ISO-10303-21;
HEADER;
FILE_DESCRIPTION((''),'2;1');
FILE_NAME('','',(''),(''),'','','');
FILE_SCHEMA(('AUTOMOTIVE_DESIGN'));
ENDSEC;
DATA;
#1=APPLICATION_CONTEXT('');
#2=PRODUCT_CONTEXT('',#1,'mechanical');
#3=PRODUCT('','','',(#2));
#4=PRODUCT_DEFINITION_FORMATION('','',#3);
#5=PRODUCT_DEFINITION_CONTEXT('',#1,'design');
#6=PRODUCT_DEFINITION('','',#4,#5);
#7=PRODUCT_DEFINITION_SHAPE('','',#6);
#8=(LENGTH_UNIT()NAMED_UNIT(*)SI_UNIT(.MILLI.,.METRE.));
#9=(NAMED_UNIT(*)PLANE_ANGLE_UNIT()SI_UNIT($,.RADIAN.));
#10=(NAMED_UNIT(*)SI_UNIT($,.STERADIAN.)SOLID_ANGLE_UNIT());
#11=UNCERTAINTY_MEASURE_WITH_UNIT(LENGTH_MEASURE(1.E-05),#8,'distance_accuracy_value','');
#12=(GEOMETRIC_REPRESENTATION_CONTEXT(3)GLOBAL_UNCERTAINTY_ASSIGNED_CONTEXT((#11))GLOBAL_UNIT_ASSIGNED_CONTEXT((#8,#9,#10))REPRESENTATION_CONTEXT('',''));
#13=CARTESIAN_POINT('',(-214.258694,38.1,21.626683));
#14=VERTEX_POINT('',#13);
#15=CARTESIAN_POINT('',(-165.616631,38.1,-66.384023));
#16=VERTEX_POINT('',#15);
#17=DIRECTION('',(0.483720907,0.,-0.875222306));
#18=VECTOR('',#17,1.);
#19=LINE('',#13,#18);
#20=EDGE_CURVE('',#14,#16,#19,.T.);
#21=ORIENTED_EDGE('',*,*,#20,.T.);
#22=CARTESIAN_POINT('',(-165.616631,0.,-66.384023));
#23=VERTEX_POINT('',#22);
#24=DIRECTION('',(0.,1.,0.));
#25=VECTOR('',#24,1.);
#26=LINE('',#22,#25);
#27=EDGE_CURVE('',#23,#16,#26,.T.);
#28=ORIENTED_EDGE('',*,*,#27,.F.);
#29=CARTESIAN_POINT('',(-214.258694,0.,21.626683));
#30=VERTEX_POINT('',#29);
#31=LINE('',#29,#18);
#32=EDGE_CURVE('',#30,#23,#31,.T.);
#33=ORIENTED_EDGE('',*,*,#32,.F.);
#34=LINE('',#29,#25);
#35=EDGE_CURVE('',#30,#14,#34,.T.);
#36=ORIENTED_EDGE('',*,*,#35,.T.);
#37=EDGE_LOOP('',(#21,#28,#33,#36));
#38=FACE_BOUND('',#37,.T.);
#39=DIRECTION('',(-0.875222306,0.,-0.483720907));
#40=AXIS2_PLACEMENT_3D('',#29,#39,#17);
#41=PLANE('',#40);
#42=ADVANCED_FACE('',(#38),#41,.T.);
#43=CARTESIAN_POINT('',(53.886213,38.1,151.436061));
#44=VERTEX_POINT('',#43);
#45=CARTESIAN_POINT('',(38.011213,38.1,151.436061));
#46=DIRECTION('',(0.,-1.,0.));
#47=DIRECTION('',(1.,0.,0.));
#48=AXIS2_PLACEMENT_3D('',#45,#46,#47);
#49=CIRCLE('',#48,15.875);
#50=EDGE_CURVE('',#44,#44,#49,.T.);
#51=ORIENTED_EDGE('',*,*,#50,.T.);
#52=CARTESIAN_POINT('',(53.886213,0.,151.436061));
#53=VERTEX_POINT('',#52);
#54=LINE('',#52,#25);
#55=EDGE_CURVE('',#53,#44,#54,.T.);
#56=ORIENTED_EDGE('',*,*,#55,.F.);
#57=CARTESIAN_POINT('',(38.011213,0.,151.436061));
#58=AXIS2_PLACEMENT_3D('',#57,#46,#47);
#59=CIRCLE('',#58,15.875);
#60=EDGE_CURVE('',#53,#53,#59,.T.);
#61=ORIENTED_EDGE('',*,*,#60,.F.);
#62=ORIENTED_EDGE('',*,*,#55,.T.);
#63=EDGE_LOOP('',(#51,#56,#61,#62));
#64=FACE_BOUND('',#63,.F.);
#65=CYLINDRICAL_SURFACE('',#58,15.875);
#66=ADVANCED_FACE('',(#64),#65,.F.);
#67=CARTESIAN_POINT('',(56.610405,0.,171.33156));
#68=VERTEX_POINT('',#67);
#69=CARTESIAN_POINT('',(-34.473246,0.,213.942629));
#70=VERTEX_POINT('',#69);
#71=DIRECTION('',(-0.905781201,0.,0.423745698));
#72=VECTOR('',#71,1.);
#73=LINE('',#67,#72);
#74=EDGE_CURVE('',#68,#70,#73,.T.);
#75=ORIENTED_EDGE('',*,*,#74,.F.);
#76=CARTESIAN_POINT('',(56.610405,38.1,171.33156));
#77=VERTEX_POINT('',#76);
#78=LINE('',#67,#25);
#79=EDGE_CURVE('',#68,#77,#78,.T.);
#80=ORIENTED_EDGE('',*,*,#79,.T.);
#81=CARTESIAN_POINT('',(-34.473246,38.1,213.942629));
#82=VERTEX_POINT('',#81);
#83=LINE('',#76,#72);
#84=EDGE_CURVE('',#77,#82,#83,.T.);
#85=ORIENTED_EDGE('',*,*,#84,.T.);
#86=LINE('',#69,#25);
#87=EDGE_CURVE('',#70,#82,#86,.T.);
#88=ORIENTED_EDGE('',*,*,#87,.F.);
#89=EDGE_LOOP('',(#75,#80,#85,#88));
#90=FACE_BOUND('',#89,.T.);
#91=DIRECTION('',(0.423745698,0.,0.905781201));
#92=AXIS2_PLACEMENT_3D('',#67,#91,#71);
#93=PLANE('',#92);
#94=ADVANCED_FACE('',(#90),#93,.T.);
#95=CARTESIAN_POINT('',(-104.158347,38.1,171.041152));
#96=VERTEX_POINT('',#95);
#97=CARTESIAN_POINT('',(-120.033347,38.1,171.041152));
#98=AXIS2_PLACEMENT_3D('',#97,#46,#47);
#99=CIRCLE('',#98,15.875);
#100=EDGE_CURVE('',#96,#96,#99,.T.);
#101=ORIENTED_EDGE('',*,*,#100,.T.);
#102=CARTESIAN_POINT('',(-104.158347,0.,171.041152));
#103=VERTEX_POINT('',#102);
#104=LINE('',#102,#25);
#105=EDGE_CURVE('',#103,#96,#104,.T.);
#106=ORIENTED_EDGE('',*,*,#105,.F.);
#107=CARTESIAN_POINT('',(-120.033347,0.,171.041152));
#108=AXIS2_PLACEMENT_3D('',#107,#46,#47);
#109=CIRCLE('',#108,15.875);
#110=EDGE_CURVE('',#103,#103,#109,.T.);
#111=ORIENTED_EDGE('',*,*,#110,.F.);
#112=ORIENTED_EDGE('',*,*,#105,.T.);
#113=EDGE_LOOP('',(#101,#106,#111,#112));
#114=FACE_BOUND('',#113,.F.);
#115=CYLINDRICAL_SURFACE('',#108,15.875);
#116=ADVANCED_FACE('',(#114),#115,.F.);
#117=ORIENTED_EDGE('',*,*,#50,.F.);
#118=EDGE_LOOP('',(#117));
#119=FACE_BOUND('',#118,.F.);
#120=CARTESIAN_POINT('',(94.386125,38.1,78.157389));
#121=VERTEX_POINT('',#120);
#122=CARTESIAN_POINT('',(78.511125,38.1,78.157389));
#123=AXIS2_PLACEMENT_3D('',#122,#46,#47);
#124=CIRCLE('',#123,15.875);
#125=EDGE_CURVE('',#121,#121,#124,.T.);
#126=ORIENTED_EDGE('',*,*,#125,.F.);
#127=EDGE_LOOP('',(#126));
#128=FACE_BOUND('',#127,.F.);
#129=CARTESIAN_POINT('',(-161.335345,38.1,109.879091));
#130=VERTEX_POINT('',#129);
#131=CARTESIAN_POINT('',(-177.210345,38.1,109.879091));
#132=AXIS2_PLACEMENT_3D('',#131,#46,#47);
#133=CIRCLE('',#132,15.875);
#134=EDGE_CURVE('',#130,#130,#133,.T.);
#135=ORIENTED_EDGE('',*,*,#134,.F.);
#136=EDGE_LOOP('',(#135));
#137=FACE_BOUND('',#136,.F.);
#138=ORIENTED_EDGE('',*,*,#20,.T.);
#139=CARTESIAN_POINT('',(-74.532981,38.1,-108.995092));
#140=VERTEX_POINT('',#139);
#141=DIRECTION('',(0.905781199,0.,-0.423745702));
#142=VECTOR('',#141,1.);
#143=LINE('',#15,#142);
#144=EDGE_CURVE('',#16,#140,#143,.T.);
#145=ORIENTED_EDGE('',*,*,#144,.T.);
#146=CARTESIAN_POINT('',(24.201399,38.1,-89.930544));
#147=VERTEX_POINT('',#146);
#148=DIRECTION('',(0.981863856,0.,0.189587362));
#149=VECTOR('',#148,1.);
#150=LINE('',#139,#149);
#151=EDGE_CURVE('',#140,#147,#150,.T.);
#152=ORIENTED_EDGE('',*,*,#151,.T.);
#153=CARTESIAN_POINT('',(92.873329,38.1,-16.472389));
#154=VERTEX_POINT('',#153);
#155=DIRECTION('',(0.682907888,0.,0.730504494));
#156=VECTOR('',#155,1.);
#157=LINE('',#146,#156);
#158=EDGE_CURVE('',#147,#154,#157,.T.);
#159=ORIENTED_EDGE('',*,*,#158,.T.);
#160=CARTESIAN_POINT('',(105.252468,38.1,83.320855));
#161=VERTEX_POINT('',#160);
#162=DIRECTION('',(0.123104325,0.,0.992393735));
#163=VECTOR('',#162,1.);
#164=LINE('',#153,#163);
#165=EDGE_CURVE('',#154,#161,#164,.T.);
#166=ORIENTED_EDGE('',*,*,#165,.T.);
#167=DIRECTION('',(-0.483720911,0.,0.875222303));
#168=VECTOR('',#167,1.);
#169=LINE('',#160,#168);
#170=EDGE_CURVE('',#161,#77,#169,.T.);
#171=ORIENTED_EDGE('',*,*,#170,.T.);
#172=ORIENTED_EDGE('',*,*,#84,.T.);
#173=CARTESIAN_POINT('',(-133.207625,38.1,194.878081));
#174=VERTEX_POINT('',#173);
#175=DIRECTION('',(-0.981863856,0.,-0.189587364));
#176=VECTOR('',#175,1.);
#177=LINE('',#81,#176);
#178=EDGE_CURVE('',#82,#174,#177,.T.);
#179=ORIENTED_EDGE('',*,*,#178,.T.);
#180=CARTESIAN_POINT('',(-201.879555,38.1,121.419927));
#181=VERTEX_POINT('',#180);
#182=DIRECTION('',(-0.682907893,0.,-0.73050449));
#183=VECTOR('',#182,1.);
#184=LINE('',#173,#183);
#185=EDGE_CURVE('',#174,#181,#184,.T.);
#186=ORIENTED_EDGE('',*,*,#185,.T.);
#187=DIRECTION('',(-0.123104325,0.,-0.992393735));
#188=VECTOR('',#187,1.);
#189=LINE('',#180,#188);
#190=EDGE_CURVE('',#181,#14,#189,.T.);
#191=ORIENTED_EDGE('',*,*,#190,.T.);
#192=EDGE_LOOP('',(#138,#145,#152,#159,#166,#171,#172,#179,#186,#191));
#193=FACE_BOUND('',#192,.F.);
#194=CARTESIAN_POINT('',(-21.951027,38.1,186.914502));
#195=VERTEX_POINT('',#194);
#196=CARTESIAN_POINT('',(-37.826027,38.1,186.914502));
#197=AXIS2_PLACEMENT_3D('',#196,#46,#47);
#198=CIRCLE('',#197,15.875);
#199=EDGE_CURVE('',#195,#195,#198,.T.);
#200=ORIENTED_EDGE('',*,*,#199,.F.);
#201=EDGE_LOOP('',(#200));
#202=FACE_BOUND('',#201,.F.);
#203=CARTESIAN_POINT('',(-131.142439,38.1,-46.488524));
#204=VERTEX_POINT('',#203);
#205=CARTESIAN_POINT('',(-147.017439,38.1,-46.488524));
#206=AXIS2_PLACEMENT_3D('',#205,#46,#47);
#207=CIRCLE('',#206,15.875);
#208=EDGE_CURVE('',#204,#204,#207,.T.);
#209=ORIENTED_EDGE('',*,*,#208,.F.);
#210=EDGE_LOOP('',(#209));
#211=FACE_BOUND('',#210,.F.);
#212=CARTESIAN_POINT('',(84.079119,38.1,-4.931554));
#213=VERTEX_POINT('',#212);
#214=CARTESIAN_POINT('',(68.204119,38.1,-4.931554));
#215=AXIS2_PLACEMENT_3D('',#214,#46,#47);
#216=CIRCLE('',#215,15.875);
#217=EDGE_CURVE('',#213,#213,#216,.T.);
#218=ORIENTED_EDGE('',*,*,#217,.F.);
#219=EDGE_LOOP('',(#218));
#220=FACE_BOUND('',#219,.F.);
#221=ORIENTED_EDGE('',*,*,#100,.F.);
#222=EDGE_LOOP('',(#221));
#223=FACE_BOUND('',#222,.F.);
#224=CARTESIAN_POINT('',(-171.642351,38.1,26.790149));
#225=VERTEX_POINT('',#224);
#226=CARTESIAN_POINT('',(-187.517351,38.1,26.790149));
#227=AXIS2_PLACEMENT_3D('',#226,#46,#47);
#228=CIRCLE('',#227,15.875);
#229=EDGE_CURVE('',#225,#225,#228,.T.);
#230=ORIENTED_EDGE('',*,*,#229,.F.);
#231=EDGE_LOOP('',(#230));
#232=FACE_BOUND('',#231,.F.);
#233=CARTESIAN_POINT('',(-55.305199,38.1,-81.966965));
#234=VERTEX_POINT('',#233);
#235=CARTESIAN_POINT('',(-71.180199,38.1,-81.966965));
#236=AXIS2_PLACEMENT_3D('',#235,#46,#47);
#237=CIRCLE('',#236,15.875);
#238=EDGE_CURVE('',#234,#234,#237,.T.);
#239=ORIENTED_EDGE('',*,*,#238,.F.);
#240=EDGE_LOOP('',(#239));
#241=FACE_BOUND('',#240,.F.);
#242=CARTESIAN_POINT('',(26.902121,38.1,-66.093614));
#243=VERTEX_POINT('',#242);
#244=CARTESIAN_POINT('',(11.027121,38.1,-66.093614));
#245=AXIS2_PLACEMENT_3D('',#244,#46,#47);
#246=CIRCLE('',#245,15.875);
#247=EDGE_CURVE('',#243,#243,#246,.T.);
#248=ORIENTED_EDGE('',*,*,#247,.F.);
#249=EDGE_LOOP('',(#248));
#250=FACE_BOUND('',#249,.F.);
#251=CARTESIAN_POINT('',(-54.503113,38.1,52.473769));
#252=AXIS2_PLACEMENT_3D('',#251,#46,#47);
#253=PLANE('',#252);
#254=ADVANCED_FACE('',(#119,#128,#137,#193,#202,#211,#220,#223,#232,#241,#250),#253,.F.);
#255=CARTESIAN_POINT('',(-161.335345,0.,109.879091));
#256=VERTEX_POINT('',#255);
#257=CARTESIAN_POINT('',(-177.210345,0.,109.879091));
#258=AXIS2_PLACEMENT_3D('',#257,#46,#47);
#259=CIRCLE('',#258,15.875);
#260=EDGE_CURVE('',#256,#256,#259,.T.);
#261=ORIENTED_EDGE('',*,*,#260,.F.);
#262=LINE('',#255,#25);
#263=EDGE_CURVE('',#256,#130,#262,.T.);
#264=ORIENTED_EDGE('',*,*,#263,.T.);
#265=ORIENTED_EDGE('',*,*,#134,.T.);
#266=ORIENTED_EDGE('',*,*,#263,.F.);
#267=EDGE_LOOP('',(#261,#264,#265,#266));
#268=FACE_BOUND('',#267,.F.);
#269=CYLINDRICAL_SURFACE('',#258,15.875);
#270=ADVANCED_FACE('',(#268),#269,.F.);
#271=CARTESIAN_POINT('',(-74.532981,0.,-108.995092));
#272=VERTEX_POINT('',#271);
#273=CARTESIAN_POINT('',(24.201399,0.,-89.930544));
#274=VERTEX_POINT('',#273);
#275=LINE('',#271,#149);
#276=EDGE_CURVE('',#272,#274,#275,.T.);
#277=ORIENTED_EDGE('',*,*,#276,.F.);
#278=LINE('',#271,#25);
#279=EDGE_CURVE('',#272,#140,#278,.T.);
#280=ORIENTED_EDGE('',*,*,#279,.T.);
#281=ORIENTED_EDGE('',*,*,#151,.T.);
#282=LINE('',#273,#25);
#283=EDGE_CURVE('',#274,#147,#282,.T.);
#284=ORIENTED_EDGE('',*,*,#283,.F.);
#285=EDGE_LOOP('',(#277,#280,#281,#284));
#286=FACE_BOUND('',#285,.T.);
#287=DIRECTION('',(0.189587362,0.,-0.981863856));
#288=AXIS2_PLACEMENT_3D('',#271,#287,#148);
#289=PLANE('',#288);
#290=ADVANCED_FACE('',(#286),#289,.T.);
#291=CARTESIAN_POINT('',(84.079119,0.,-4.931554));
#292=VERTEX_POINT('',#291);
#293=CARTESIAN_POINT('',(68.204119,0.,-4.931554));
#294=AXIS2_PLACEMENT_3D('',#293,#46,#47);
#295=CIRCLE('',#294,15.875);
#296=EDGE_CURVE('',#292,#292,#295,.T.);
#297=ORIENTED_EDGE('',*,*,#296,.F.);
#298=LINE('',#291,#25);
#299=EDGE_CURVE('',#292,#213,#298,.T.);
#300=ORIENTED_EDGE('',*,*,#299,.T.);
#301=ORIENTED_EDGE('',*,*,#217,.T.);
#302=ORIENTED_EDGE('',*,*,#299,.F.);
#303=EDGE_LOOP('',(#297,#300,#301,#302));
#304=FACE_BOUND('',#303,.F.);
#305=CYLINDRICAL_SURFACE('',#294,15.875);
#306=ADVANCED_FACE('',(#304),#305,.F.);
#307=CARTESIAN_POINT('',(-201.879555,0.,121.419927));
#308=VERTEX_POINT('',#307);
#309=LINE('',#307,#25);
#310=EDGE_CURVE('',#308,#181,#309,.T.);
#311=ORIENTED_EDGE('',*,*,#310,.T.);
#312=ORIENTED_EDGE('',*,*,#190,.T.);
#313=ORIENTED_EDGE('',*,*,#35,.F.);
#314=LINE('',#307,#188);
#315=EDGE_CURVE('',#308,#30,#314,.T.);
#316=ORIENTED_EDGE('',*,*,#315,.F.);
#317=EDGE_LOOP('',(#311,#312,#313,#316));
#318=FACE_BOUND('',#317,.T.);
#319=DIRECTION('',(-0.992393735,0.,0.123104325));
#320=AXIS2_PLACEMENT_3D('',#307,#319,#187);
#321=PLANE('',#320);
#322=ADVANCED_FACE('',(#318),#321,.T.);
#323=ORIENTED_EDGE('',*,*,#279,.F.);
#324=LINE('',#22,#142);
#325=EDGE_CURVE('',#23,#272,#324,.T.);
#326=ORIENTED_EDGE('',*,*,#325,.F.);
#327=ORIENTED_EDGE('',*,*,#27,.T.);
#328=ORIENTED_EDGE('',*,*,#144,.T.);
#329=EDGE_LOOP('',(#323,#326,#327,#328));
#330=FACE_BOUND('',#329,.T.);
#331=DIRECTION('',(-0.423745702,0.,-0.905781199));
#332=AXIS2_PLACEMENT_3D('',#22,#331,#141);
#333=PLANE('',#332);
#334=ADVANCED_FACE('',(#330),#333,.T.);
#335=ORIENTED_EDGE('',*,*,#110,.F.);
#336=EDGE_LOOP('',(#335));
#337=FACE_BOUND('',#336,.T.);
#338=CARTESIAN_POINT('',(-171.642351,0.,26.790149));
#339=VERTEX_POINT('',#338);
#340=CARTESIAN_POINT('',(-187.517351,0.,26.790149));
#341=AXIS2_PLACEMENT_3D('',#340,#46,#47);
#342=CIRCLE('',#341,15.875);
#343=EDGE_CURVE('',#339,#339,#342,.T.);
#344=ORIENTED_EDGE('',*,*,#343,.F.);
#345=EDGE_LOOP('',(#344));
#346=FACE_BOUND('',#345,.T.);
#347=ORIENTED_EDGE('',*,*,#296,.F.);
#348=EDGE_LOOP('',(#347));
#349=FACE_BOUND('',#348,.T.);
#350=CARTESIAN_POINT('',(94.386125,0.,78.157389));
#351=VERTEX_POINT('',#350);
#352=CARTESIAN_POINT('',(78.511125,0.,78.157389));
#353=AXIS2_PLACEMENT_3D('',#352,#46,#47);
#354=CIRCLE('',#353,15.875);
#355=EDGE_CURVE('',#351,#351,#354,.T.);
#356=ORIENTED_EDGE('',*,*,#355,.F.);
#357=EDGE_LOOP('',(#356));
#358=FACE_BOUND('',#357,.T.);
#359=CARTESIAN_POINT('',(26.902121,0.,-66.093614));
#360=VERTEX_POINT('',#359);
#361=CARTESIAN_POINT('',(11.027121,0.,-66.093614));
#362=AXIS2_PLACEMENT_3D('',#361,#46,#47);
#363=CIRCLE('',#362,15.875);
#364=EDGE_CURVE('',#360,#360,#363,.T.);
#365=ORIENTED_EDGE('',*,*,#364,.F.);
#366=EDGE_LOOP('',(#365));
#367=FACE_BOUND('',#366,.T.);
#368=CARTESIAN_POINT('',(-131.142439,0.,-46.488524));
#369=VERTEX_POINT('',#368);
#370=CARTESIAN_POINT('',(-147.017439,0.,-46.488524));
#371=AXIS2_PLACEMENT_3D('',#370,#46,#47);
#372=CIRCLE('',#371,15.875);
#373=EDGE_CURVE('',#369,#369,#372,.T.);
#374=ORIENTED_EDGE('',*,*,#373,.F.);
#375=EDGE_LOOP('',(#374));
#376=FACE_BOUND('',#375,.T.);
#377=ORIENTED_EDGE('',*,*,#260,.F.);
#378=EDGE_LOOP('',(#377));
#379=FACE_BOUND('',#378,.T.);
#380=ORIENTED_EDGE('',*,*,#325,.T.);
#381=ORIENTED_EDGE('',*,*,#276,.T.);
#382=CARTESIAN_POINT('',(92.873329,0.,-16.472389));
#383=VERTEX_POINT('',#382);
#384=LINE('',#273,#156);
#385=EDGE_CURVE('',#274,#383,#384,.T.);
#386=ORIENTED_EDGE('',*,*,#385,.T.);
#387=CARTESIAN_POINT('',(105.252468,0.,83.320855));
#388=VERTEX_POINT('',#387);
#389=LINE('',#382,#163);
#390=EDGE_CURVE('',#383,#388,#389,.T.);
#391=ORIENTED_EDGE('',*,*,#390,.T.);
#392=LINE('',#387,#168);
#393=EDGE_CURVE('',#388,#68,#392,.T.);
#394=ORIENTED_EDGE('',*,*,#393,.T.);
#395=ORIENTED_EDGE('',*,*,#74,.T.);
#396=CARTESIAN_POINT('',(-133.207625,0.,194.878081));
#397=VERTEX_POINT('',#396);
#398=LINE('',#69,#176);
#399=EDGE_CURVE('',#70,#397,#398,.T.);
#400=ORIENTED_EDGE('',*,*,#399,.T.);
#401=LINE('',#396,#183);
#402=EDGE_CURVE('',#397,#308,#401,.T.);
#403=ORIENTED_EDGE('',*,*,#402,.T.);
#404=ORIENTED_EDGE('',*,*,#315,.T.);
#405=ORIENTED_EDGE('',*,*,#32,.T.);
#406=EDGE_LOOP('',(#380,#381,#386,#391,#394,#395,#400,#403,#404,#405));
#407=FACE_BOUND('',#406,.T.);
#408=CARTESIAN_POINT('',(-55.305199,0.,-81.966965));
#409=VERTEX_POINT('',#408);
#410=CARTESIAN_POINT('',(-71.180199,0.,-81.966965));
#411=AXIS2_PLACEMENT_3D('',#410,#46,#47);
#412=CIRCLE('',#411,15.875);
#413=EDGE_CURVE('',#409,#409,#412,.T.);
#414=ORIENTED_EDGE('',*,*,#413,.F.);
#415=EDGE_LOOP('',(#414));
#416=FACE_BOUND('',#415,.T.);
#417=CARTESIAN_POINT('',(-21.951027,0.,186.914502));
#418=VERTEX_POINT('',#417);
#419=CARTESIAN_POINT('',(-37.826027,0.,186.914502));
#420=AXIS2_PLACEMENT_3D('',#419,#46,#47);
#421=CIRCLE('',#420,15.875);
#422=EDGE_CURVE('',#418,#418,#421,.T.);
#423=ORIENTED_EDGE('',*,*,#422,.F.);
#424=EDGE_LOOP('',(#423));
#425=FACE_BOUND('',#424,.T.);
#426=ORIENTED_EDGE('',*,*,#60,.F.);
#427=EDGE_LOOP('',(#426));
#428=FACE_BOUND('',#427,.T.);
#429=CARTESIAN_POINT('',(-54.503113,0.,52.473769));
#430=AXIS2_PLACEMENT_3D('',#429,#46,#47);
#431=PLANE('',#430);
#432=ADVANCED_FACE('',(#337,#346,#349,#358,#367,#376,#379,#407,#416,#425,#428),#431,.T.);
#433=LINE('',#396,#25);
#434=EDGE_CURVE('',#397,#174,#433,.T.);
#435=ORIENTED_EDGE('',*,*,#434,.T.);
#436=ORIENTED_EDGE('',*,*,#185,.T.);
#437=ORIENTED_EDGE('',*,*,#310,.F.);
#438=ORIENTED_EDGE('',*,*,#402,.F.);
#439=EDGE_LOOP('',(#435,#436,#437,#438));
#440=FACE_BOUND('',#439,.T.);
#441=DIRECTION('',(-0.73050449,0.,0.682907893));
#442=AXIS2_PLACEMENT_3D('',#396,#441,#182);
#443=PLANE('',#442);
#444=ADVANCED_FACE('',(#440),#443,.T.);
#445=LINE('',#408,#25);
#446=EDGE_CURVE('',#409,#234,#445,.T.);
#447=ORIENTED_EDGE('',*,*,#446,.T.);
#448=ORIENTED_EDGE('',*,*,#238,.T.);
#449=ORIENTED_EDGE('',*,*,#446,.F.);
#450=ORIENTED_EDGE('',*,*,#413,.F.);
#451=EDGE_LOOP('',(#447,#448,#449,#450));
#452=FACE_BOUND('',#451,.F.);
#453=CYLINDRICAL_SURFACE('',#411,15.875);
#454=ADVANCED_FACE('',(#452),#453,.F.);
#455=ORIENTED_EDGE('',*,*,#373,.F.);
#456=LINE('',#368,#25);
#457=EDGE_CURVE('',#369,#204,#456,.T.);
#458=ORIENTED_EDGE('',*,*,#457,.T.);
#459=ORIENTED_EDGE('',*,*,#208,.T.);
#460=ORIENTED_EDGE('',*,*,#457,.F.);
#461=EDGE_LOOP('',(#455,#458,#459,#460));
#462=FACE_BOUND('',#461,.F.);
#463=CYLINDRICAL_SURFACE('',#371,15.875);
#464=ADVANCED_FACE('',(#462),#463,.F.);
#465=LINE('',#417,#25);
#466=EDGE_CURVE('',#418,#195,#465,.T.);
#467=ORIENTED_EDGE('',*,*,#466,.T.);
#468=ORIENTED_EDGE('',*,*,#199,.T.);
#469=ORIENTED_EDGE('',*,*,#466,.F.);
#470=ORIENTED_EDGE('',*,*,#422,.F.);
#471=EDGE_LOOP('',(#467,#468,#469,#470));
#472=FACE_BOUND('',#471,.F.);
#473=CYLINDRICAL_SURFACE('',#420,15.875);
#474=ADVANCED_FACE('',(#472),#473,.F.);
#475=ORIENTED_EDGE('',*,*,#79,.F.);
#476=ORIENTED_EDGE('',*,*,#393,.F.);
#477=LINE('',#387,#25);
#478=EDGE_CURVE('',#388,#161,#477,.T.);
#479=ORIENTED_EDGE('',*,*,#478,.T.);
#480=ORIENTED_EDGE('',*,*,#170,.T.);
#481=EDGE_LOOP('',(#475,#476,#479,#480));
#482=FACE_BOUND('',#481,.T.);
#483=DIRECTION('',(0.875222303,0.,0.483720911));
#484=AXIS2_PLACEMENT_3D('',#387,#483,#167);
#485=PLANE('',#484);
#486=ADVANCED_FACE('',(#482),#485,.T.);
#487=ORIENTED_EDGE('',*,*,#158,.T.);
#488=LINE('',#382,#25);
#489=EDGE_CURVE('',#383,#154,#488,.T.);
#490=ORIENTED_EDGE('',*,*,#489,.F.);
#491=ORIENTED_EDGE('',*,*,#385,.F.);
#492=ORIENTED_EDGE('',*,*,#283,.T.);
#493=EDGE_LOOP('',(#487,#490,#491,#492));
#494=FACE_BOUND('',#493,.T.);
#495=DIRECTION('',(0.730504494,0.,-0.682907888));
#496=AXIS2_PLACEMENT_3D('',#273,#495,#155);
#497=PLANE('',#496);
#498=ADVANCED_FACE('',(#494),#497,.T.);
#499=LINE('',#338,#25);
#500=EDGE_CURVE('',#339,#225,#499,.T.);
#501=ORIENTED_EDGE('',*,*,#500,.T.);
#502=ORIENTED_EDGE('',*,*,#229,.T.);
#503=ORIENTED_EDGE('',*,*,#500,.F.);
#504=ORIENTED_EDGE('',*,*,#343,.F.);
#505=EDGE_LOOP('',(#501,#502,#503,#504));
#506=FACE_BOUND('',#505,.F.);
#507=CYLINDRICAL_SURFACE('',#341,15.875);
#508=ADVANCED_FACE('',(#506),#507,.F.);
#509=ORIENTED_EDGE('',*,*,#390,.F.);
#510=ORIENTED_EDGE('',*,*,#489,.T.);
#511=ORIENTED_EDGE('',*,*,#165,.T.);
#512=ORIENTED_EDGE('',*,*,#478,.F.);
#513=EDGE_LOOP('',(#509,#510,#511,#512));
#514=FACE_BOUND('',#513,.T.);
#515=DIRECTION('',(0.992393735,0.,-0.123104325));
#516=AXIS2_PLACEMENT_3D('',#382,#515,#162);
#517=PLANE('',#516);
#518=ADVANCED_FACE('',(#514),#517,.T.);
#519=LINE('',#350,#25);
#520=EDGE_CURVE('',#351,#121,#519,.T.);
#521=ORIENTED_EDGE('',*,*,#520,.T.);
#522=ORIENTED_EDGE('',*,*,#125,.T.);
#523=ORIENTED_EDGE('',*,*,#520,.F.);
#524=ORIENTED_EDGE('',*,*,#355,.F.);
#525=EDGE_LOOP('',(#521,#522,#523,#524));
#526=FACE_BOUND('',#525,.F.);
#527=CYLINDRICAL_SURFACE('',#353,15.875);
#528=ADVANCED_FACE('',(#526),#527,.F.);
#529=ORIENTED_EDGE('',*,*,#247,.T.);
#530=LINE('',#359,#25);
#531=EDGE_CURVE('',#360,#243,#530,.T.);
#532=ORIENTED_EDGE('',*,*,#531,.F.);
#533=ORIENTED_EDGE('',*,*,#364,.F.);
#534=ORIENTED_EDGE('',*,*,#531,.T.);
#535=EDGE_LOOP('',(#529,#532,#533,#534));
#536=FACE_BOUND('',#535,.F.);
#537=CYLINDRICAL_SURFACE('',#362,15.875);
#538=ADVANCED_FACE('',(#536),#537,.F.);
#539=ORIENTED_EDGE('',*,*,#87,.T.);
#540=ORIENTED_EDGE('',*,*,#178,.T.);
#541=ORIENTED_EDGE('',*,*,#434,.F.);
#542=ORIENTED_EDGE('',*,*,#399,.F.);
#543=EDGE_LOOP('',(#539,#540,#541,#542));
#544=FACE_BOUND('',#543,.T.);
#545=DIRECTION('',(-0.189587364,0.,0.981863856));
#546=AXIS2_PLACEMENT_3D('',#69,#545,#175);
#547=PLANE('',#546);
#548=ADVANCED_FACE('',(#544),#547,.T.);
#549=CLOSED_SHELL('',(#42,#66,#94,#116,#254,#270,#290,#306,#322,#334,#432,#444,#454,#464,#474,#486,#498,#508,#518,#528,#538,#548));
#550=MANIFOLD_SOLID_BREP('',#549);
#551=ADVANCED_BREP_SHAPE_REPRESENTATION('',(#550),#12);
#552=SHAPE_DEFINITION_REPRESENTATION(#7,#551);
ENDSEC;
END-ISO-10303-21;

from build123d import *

# Parameters (mm, degrees)
F0_R     = 15.875
F1_DEPTH = 38.1


with BuildPart() as f1:
    # F0 (on Front) → F1 (new body)
    with BuildSketch(Plane.XZ):
        Polygon((24.201399, -89.930544), (92.873329, -16.472389), (105.252468, 83.320855), (56.610405, 171.33156), (-34.473246, 213.942629), (-133.207625, 194.878081), (-201.879555, 121.419927), (-214.258694, 21.626683), (-165.616631, -66.384023), (-74.532981, -108.995092), align=None)
        with Locations((-147.017439, -46.488524)):
            Circle(F0_R, mode=Mode.SUBTRACT)
        with Locations((-71.180199, -81.966965)):
            Circle(F0_R, mode=Mode.SUBTRACT)
        with Locations((-187.517351, 26.790149)):
            Circle(F0_R, mode=Mode.SUBTRACT)
        with Locations((11.027121, -66.093614)):
            Circle(F0_R, mode=Mode.SUBTRACT)
        with Locations((68.204119, -4.931554)):
            Circle(F0_R, mode=Mode.SUBTRACT)
        with Locations((-177.210345, 109.879091)):
            Circle(F0_R, mode=Mode.SUBTRACT)
        with Locations((-120.033347, 171.041152)):
            Circle(F0_R, mode=Mode.SUBTRACT)
        with Locations((78.511125, 78.157389)):
            Circle(F0_R, mode=Mode.SUBTRACT)
        with Locations((-37.826027, 186.914502)):
            Circle(F0_R, mode=Mode.SUBTRACT)
        with Locations((38.011213, 151.436061)):
            Circle(F0_R, mode=Mode.SUBTRACT)
    extrude(amount=-F1_DEPTH)


solid = f1.part
